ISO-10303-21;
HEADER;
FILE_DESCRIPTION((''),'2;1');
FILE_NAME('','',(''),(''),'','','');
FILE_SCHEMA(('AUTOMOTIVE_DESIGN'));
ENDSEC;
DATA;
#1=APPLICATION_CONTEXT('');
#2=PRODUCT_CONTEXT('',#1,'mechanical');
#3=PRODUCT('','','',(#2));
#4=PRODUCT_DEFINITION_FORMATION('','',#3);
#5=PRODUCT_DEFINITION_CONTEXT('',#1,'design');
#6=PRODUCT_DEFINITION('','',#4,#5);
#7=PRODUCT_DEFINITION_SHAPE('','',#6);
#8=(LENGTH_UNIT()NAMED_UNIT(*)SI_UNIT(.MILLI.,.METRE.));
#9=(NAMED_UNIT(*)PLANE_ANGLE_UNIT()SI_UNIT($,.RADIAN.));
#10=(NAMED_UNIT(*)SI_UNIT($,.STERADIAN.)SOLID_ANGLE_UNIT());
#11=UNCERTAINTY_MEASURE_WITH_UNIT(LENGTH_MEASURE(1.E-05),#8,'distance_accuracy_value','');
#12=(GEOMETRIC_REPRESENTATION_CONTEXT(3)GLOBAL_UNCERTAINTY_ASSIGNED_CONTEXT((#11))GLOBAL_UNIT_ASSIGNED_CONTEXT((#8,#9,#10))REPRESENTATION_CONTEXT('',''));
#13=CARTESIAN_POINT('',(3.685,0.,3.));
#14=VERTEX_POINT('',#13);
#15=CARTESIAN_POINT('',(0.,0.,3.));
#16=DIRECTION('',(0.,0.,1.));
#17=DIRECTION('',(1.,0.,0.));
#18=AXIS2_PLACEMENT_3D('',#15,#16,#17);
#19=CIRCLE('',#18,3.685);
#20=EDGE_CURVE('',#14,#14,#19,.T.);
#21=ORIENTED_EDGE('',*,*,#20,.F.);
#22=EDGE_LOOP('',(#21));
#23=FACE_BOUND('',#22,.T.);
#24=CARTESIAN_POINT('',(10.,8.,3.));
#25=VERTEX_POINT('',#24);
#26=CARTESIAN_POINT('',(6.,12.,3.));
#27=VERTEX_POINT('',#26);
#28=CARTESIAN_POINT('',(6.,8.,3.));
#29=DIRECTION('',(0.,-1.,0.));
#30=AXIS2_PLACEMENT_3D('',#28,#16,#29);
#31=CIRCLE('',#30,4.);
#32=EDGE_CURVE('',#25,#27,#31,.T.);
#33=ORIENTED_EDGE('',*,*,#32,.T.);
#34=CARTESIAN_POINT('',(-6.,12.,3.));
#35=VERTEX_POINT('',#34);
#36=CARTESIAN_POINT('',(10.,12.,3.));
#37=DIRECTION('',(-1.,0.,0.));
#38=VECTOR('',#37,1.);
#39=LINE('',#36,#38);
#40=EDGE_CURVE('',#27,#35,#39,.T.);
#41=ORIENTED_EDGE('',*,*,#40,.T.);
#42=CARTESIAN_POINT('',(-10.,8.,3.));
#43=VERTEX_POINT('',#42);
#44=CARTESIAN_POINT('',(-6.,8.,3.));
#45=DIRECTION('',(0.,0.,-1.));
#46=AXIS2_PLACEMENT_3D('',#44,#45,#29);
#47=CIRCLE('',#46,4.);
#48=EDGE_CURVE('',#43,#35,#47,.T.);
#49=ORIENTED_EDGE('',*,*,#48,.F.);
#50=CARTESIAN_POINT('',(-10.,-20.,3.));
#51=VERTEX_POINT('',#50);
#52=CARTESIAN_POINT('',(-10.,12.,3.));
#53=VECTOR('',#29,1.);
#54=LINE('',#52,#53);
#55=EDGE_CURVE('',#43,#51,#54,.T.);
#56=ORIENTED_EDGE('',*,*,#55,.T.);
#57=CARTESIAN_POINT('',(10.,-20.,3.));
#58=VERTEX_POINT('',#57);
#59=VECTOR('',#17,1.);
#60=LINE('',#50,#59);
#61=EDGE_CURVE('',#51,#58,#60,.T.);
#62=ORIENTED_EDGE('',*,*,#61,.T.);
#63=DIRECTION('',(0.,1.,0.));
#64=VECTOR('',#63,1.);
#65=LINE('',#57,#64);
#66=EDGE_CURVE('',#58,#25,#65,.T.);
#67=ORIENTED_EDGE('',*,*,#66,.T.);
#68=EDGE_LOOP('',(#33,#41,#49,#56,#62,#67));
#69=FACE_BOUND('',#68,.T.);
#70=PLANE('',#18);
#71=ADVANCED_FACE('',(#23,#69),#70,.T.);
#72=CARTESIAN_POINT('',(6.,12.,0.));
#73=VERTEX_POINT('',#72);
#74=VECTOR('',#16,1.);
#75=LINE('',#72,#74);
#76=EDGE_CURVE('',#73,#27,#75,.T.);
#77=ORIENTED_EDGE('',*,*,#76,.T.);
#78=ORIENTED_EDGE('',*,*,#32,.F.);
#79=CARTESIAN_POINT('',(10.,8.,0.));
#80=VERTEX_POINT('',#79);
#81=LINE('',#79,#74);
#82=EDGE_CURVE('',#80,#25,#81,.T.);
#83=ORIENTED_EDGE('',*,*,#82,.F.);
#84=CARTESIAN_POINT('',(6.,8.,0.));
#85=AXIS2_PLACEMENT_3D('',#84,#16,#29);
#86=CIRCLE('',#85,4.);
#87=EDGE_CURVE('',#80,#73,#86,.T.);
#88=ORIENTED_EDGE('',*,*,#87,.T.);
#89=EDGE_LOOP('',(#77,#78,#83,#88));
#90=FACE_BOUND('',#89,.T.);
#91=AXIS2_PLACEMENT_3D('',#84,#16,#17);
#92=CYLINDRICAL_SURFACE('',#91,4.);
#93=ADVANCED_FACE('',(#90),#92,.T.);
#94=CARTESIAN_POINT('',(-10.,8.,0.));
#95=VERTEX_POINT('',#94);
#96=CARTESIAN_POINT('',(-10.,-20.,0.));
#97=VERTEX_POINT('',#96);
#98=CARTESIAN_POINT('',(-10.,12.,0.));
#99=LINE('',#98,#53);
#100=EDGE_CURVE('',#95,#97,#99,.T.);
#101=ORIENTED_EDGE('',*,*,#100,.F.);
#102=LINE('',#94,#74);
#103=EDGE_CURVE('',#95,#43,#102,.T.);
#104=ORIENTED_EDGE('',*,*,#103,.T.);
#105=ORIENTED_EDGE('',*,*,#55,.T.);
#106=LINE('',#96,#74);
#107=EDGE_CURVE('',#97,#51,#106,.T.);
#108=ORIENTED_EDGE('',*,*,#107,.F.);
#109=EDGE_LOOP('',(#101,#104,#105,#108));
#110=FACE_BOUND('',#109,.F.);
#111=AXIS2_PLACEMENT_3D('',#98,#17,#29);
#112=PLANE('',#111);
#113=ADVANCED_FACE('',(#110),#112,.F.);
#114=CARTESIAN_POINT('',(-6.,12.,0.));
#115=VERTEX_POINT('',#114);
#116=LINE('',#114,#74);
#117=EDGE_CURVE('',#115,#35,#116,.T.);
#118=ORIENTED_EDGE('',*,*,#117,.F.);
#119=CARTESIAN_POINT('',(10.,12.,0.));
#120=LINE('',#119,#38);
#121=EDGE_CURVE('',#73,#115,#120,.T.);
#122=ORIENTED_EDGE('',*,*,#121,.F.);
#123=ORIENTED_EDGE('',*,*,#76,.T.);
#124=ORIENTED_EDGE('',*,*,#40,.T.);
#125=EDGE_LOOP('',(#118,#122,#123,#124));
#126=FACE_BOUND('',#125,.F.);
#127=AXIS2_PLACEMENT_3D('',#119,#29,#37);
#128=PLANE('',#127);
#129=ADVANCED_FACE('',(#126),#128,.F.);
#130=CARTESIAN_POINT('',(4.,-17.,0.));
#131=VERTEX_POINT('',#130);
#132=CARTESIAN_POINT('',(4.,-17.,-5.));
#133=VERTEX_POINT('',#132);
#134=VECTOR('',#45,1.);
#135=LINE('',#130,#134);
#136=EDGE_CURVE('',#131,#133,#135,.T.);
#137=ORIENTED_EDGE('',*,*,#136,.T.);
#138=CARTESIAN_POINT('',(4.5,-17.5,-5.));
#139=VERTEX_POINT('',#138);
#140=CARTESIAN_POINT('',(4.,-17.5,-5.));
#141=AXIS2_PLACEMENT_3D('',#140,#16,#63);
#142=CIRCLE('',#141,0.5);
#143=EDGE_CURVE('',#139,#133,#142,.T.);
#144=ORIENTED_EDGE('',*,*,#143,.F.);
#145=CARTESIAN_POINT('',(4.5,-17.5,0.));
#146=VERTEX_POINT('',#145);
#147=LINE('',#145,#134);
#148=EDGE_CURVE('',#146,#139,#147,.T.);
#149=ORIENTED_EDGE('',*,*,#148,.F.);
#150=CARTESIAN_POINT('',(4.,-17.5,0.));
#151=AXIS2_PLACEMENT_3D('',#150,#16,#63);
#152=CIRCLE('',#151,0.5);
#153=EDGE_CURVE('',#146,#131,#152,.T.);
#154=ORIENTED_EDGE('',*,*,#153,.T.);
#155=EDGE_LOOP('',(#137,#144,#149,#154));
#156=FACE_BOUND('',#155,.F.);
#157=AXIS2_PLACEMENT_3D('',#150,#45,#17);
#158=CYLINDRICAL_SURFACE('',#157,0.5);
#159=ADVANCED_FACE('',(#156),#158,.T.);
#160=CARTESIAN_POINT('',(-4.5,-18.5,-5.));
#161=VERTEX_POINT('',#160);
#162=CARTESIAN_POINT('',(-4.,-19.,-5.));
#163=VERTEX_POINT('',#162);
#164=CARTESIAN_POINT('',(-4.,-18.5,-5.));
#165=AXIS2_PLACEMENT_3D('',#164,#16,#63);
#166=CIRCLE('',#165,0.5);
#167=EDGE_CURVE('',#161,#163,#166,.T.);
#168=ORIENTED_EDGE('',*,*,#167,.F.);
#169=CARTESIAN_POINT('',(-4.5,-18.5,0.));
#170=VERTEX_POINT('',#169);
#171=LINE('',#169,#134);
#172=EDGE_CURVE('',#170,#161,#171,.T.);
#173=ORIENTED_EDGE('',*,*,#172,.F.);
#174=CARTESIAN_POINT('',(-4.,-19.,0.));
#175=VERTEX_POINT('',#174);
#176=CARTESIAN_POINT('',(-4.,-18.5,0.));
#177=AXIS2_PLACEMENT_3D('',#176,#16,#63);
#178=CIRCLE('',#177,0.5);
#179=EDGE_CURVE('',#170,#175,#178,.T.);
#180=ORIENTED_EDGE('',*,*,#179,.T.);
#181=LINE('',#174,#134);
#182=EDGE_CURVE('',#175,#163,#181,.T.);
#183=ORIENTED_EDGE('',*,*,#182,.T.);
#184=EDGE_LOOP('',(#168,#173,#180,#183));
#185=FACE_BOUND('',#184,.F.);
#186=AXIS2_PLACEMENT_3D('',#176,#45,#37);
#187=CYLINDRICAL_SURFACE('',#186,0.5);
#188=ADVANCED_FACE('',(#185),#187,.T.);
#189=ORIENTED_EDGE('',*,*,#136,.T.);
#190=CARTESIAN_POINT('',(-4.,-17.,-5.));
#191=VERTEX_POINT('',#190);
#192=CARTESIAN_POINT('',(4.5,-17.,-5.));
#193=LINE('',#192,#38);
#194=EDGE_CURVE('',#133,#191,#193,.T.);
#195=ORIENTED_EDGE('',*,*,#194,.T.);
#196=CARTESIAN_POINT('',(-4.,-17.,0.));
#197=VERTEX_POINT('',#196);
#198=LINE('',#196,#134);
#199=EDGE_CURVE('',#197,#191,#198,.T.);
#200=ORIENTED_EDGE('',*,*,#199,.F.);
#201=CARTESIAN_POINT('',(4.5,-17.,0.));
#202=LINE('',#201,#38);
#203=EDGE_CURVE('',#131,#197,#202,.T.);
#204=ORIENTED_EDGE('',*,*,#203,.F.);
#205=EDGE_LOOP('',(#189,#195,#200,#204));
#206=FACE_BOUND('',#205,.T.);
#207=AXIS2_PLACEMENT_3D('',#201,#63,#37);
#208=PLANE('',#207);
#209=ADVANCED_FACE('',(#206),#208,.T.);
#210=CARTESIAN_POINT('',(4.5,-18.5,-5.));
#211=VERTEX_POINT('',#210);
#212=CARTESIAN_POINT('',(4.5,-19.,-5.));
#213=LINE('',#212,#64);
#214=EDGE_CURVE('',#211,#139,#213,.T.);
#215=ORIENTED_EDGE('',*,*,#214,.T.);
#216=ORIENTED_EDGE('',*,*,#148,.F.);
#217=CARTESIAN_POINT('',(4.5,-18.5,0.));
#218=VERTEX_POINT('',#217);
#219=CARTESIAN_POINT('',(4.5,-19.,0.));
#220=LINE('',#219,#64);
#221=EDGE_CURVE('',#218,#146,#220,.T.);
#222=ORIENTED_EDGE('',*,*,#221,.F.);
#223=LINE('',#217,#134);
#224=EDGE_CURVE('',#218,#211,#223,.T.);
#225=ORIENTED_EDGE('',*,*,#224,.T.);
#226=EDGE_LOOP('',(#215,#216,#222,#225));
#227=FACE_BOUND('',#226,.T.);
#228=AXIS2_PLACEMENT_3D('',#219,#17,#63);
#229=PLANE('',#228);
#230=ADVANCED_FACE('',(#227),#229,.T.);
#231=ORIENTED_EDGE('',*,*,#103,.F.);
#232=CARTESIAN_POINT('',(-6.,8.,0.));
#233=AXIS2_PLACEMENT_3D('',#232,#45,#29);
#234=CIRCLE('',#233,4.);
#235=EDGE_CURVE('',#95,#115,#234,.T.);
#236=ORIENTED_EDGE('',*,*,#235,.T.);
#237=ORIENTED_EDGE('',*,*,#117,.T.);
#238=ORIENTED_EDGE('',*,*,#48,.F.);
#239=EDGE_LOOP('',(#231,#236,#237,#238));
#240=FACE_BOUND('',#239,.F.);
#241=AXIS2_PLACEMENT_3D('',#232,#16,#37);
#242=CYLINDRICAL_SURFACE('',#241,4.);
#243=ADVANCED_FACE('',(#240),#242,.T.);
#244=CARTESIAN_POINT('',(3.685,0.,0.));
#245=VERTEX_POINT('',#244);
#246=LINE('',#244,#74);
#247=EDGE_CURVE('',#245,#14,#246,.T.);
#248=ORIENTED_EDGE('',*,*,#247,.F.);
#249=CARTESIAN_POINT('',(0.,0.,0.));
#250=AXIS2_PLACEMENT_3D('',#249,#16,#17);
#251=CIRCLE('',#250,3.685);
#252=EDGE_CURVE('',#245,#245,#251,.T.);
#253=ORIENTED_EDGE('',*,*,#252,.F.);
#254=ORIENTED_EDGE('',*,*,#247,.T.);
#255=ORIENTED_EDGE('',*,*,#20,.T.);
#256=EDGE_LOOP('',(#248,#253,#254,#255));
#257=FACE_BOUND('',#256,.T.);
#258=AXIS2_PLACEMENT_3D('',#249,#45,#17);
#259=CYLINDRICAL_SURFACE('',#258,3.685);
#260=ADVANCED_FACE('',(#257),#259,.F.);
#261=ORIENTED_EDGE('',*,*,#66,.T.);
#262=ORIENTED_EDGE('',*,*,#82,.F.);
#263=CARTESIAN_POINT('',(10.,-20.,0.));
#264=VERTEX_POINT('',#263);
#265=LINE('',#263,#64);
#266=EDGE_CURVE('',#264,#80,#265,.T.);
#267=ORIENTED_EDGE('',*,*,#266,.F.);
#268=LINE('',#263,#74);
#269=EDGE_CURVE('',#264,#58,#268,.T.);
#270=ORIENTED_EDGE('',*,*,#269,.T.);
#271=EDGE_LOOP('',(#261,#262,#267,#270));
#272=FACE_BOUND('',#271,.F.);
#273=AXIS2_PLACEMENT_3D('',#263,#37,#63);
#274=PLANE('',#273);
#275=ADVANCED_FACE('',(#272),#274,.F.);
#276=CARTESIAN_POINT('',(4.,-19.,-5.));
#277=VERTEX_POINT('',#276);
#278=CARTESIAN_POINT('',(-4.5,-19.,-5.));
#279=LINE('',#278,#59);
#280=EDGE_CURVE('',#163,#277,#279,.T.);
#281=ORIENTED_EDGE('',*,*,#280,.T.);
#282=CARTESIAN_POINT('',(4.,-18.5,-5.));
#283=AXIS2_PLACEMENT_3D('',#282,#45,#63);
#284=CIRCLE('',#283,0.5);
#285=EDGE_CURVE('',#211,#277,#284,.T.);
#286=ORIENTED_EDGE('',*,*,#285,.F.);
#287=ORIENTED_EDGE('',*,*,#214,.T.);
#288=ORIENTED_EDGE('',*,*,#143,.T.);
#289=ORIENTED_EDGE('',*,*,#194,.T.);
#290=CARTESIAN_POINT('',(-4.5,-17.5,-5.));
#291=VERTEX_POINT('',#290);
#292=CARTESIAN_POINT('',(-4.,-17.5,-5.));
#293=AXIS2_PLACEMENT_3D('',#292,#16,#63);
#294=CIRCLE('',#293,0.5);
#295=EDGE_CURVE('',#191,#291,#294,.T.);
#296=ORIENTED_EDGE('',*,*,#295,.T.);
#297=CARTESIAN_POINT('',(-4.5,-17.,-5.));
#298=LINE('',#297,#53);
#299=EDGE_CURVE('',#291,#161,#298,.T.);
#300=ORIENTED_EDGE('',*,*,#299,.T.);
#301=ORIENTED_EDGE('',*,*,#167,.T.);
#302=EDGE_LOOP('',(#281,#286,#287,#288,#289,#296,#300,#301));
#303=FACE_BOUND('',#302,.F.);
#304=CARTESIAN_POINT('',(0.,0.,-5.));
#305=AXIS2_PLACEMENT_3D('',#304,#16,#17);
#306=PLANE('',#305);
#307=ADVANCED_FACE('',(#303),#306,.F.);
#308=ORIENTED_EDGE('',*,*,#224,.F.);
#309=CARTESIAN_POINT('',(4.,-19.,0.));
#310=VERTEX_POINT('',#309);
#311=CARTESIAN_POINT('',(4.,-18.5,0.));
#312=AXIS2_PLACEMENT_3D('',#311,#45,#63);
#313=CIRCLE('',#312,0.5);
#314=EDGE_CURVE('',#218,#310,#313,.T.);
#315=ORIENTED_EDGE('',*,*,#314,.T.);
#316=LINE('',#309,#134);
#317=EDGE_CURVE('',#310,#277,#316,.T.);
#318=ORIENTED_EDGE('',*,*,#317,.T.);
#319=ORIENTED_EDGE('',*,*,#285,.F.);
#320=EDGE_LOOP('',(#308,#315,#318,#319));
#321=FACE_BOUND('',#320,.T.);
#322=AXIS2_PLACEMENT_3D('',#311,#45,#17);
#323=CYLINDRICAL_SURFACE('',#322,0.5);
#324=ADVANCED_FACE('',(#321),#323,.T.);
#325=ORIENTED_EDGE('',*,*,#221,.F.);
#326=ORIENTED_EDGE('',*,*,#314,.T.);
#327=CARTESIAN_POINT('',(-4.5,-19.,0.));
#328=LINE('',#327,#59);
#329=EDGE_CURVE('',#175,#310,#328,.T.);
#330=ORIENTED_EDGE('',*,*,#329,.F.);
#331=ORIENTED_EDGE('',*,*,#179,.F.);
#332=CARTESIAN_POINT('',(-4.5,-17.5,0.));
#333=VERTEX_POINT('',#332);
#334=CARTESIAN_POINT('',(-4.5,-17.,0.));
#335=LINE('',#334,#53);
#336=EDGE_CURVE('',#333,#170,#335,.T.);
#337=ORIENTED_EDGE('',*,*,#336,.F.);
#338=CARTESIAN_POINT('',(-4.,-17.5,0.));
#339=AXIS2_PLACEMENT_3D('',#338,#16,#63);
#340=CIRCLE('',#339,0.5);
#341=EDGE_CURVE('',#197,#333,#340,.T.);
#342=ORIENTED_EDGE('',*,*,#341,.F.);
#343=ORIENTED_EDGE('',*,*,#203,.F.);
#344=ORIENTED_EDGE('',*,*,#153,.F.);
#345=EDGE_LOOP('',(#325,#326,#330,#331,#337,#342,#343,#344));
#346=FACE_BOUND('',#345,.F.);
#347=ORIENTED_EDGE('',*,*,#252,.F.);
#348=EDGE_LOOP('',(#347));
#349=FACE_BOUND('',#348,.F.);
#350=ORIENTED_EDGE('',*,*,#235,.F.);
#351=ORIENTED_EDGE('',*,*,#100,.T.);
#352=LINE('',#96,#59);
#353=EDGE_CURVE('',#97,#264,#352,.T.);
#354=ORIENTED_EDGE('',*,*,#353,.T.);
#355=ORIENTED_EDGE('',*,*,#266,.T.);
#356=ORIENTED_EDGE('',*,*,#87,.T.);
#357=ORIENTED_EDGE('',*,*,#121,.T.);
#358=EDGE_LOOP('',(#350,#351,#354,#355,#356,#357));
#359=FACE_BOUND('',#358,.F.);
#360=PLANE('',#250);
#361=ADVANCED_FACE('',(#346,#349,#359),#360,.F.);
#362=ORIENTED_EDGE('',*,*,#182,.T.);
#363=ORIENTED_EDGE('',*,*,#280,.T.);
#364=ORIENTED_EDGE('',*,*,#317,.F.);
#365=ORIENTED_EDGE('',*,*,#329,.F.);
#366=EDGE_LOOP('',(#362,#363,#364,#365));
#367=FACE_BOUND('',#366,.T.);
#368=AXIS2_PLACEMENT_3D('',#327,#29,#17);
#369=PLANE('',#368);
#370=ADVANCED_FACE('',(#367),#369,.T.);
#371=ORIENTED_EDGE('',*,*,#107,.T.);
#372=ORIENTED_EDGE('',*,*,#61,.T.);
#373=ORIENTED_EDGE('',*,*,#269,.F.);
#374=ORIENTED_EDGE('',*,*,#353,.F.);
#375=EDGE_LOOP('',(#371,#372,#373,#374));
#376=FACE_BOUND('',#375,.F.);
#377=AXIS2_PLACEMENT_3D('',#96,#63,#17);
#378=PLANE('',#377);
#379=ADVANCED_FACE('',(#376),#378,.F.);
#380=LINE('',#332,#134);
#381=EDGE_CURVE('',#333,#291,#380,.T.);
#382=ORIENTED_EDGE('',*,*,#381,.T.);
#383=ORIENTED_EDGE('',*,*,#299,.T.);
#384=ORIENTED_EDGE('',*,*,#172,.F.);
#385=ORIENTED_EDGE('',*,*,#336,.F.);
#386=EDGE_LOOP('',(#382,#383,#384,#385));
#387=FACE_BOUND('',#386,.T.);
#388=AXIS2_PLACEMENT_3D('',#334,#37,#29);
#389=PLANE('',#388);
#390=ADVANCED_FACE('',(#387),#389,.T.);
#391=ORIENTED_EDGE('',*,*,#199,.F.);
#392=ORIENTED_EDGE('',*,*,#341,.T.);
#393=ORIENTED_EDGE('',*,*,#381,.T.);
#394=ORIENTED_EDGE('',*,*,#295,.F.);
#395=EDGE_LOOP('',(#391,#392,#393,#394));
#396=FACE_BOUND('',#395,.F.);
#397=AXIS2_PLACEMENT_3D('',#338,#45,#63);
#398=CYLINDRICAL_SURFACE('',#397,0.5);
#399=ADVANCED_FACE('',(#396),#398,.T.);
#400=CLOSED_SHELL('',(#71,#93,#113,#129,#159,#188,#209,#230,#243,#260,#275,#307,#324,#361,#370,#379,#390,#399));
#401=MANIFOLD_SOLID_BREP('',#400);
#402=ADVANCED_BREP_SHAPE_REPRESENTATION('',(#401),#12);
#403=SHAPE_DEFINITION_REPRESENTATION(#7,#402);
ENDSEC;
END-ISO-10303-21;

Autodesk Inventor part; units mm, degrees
ref_plane "YZ Plane" through (0, 0, 0) normal (1, 0, 0) x (0, 1, 0)
ref_plane "XZ Plane" through (0, 0, 0) normal (0, 1, 0) x (-1, 0, 0)
ref_plane "XY Plane" through (0, 0, 0) normal (0, 0, 1) x (1, 0, 0)
sketch "Sketch1" plane through (0, 0, 0) normal (0, 0, 1) x (1, 0, 0)
  line L0 (-10, -20) -> (10, -20)
  line L1 (10, -20) -> (10, 12)
  line L2 (10, 12) -> (-10, 12)
  line L3 (-10, 12) -> (-10, -20)
  line L4 (6.3, -6.7) -> (-6.3, -6.7) construction
  line L5 (6.3, 6.7) -> (6.3, -6.7) construction
  line L6 (-6.3, 6.7) -> (6.3, 6.7) construction
  line L7 (-6.3, -6.7) -> (-6.3, 6.7) construction
  line L8 (6.45, -6.85) -> (-6.45, -6.85)
  line L9 (-6.45, -6.85) -> (-6.45, 6.85)
  line L10 (-6.45, 6.85) -> (6.45, 6.85)
  line L11 (6.45, 6.85) -> (6.45, -6.85)
  circle A0 centre (0, 0) radius 3.535 construction
  circle A1 centre (0, 0) radius 3.685
  line L12 (4.65, -19.15) -> (-4.65, -19.15) construction
  line L13 (-4.65, -19.15) -> (-4.65, -16.85) construction
  line L14 (-4.65, -16.85) -> (4.65, -16.85) construction
  line L15 (4.65, -16.85) -> (4.65, -19.15) construction
  line L16 (4.5, -17) -> (-4.5, -17)
  line L17 (-4.5, -17) -> (-4.5, -19)
  line L18 (-4.5, -19) -> (4.5, -19)
  line L19 (4.5, -19) -> (4.5, -17)
  point P0 (0, 12)
  point P1 (0, 6.85)
  point P2 (6.45, 0)
  dimension "d0" = 20
  dimension "d1" = 32
  dimension "d2" = 0.15
  dimension "d3" = 0.15
  dimension "d5" = 7.07
  dimension "d6" = 12.9
  dimension "d7" = 13.7
  dimension "d8" = 12
  dimension "d14" = 0.15
extrude "Extrusion1" add sketch "Sketch1" along normal blind 3 contours L3 L2 L1 L0 | L19 L18 L17 L16
extrude "Extrusion2" add sketch "Sketch1" along normal blind 3 contours L8 L9 L10 L11
fillet "Fillet1" radius 4 2 edges at (10, 12, 1.5) (-10, 12, 1.5)
extrude "Extrusion3" add sketch "Sketch1" against normal blind 5 contours L19 L18 L17 L16
fillet "Fillet2" radius 0.5 4 edges at (4.5, -17, -2.5) (4.5, -19, -2.5) (-4.5, -17, -2.5) (-4.5, -19, -2.5)
properties part number "Rotary Encoder Mount"
